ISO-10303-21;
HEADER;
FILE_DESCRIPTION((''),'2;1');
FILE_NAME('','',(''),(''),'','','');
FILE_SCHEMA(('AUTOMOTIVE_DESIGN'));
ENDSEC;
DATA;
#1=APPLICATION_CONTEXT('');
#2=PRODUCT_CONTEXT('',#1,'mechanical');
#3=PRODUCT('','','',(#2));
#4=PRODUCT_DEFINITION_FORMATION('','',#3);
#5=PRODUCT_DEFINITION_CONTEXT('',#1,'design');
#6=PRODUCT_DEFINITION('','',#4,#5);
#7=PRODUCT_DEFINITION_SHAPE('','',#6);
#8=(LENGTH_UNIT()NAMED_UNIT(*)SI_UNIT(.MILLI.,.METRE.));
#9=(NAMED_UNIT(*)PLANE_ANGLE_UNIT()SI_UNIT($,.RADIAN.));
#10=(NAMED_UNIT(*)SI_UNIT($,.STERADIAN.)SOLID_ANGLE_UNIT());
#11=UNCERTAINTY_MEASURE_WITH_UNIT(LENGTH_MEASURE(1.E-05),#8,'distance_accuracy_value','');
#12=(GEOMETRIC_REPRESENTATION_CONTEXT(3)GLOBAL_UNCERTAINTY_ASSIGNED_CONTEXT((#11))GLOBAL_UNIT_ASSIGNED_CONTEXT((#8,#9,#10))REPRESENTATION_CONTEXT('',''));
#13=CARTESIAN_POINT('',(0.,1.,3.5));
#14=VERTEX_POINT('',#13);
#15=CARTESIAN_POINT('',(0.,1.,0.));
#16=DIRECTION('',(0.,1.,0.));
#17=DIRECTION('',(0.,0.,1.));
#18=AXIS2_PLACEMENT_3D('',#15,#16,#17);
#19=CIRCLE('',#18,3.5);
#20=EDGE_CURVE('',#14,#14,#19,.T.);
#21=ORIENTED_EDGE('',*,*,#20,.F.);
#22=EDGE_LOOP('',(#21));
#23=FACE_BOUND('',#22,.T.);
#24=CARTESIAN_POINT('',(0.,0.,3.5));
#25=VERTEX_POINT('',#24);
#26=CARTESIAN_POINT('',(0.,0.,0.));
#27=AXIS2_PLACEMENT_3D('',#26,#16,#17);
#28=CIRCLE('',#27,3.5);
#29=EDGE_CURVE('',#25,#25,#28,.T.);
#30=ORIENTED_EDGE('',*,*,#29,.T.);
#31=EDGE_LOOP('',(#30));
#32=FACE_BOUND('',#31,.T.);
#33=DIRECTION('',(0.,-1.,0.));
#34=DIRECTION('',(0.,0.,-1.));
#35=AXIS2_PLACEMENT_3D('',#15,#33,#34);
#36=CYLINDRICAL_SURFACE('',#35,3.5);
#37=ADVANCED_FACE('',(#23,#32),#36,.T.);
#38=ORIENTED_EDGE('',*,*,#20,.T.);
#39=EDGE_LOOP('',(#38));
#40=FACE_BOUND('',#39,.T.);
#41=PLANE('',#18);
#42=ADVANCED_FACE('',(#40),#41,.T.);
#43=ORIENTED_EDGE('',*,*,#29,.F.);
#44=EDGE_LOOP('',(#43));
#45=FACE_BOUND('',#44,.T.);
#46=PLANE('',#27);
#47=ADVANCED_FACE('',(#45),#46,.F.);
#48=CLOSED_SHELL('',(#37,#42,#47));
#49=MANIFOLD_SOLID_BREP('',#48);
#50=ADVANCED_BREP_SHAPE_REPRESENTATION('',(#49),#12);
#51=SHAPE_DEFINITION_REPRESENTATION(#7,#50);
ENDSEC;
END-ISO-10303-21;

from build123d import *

# Parameters (mm, degrees)
SKETCH_1_R        = 3.5
EXTRUDE_221_DEPTH = 1


with BuildPart() as part:
    # Эскиз1 → Extrude 221 (new body)
    with BuildSketch(Plane(origin=(0, 0, 0), x_dir=(1, 0, 0), z_dir=(0, 1, 0))):
        with Locations(Location((0, 0, 0), (0, 0, 270))):
            Circle(SKETCH_1_R)
    extrude(amount=EXTRUDE_221_DEPTH)


solid = part.part
